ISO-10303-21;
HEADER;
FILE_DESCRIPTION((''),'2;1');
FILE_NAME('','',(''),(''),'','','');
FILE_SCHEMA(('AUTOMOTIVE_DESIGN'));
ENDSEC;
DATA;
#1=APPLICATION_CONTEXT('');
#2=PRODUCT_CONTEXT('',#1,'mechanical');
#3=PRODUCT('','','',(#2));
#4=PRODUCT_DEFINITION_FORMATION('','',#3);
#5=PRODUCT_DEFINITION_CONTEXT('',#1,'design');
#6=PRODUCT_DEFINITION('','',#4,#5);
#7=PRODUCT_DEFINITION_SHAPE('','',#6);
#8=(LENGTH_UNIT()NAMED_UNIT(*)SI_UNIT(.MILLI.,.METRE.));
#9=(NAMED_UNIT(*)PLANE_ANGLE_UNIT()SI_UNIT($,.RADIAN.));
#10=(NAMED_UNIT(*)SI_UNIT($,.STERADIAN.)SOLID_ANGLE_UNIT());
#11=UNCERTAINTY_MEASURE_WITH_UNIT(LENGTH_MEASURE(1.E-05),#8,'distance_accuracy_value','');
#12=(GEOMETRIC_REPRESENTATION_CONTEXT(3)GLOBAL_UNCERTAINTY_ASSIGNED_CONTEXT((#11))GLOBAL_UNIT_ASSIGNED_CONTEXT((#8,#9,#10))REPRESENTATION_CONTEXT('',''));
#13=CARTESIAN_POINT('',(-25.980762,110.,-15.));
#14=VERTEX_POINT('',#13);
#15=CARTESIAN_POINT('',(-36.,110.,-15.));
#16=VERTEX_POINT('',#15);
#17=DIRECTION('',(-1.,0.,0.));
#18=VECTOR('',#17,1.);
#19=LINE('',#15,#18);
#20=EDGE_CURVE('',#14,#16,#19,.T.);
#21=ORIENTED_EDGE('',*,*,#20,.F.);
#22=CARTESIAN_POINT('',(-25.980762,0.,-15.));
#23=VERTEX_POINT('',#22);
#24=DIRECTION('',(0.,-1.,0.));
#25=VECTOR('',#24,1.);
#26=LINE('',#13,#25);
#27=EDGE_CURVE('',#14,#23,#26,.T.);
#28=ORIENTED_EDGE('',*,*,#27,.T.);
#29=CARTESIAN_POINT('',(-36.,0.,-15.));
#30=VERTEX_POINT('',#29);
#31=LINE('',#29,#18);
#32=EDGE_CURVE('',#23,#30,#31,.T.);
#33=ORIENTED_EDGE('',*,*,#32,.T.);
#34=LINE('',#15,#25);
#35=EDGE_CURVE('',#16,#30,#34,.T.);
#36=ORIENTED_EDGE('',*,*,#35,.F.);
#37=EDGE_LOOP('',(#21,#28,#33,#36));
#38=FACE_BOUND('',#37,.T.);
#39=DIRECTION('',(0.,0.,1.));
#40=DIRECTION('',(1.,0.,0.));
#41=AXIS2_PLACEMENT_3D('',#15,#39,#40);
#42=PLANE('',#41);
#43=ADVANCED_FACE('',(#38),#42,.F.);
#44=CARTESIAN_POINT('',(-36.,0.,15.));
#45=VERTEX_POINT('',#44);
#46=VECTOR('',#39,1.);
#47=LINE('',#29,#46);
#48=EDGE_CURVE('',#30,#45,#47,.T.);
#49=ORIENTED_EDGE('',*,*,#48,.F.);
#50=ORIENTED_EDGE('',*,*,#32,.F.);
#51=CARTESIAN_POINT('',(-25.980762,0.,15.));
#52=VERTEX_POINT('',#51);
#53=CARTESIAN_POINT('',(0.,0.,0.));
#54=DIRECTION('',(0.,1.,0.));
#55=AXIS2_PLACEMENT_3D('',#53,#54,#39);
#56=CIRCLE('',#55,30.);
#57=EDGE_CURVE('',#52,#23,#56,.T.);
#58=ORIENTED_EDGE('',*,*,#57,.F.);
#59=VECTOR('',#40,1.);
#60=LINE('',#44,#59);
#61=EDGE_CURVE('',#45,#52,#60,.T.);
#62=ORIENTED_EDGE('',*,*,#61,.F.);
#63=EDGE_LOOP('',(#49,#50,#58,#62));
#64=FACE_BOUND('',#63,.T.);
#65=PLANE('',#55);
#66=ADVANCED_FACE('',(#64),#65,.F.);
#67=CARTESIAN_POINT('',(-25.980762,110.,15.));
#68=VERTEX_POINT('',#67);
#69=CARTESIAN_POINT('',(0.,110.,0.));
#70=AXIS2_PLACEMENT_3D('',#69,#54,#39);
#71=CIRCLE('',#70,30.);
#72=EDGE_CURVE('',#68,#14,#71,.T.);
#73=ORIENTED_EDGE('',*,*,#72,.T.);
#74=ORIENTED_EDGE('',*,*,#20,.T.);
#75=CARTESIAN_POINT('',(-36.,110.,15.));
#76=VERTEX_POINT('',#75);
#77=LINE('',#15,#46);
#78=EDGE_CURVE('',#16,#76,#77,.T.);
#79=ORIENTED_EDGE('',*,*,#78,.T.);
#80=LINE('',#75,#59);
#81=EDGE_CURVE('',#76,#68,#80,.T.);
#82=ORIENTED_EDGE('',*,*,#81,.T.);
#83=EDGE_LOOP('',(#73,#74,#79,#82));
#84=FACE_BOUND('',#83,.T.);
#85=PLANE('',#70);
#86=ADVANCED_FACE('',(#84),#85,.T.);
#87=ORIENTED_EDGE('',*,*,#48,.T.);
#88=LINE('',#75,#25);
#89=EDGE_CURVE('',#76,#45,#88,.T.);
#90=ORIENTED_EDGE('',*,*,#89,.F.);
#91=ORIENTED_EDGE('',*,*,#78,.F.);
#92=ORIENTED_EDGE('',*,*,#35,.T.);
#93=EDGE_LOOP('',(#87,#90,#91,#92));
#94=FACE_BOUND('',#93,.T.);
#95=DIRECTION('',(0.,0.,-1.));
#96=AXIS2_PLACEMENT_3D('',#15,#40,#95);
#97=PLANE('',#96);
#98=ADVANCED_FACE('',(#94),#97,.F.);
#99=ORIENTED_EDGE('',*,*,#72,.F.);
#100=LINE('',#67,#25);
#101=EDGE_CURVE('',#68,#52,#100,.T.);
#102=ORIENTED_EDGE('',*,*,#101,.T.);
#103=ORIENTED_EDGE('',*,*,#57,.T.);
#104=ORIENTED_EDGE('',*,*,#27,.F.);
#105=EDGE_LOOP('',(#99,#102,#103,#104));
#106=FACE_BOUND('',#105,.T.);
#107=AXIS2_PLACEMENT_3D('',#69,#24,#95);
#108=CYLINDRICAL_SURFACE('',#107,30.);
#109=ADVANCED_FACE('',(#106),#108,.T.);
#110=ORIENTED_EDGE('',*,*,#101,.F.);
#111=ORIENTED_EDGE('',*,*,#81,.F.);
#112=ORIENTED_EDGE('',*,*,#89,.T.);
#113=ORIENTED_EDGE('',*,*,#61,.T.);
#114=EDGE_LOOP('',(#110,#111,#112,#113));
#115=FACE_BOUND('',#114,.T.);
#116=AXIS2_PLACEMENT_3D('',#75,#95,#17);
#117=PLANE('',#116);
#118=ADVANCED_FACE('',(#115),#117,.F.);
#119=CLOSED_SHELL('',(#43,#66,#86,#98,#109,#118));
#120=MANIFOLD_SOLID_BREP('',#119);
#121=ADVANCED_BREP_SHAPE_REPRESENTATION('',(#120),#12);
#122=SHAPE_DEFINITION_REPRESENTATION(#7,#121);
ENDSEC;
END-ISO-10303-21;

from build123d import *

# Parameters (mm, degrees)
BASIS_DEPTH = 110


with BuildPart() as part:
    # Skizze1 → Basis (new body)
    with BuildSketch(Plane(origin=(0, 0, 0), x_dir=(1, 0, 0), z_dir=(0, 1, 0))):
        with BuildLine():
            Line((-36, 15), (-36, -15))
            Line((-36, -15), (-25.980762114, -15))
            ThreePointArc((-25.980762114, -15), (30, 0), (-25.980762114, 15))
            Line((-25.980762114, 15), (-36, 15))
        make_face()
    extrude(amount=BASIS_DEPTH)


solid = part.part
